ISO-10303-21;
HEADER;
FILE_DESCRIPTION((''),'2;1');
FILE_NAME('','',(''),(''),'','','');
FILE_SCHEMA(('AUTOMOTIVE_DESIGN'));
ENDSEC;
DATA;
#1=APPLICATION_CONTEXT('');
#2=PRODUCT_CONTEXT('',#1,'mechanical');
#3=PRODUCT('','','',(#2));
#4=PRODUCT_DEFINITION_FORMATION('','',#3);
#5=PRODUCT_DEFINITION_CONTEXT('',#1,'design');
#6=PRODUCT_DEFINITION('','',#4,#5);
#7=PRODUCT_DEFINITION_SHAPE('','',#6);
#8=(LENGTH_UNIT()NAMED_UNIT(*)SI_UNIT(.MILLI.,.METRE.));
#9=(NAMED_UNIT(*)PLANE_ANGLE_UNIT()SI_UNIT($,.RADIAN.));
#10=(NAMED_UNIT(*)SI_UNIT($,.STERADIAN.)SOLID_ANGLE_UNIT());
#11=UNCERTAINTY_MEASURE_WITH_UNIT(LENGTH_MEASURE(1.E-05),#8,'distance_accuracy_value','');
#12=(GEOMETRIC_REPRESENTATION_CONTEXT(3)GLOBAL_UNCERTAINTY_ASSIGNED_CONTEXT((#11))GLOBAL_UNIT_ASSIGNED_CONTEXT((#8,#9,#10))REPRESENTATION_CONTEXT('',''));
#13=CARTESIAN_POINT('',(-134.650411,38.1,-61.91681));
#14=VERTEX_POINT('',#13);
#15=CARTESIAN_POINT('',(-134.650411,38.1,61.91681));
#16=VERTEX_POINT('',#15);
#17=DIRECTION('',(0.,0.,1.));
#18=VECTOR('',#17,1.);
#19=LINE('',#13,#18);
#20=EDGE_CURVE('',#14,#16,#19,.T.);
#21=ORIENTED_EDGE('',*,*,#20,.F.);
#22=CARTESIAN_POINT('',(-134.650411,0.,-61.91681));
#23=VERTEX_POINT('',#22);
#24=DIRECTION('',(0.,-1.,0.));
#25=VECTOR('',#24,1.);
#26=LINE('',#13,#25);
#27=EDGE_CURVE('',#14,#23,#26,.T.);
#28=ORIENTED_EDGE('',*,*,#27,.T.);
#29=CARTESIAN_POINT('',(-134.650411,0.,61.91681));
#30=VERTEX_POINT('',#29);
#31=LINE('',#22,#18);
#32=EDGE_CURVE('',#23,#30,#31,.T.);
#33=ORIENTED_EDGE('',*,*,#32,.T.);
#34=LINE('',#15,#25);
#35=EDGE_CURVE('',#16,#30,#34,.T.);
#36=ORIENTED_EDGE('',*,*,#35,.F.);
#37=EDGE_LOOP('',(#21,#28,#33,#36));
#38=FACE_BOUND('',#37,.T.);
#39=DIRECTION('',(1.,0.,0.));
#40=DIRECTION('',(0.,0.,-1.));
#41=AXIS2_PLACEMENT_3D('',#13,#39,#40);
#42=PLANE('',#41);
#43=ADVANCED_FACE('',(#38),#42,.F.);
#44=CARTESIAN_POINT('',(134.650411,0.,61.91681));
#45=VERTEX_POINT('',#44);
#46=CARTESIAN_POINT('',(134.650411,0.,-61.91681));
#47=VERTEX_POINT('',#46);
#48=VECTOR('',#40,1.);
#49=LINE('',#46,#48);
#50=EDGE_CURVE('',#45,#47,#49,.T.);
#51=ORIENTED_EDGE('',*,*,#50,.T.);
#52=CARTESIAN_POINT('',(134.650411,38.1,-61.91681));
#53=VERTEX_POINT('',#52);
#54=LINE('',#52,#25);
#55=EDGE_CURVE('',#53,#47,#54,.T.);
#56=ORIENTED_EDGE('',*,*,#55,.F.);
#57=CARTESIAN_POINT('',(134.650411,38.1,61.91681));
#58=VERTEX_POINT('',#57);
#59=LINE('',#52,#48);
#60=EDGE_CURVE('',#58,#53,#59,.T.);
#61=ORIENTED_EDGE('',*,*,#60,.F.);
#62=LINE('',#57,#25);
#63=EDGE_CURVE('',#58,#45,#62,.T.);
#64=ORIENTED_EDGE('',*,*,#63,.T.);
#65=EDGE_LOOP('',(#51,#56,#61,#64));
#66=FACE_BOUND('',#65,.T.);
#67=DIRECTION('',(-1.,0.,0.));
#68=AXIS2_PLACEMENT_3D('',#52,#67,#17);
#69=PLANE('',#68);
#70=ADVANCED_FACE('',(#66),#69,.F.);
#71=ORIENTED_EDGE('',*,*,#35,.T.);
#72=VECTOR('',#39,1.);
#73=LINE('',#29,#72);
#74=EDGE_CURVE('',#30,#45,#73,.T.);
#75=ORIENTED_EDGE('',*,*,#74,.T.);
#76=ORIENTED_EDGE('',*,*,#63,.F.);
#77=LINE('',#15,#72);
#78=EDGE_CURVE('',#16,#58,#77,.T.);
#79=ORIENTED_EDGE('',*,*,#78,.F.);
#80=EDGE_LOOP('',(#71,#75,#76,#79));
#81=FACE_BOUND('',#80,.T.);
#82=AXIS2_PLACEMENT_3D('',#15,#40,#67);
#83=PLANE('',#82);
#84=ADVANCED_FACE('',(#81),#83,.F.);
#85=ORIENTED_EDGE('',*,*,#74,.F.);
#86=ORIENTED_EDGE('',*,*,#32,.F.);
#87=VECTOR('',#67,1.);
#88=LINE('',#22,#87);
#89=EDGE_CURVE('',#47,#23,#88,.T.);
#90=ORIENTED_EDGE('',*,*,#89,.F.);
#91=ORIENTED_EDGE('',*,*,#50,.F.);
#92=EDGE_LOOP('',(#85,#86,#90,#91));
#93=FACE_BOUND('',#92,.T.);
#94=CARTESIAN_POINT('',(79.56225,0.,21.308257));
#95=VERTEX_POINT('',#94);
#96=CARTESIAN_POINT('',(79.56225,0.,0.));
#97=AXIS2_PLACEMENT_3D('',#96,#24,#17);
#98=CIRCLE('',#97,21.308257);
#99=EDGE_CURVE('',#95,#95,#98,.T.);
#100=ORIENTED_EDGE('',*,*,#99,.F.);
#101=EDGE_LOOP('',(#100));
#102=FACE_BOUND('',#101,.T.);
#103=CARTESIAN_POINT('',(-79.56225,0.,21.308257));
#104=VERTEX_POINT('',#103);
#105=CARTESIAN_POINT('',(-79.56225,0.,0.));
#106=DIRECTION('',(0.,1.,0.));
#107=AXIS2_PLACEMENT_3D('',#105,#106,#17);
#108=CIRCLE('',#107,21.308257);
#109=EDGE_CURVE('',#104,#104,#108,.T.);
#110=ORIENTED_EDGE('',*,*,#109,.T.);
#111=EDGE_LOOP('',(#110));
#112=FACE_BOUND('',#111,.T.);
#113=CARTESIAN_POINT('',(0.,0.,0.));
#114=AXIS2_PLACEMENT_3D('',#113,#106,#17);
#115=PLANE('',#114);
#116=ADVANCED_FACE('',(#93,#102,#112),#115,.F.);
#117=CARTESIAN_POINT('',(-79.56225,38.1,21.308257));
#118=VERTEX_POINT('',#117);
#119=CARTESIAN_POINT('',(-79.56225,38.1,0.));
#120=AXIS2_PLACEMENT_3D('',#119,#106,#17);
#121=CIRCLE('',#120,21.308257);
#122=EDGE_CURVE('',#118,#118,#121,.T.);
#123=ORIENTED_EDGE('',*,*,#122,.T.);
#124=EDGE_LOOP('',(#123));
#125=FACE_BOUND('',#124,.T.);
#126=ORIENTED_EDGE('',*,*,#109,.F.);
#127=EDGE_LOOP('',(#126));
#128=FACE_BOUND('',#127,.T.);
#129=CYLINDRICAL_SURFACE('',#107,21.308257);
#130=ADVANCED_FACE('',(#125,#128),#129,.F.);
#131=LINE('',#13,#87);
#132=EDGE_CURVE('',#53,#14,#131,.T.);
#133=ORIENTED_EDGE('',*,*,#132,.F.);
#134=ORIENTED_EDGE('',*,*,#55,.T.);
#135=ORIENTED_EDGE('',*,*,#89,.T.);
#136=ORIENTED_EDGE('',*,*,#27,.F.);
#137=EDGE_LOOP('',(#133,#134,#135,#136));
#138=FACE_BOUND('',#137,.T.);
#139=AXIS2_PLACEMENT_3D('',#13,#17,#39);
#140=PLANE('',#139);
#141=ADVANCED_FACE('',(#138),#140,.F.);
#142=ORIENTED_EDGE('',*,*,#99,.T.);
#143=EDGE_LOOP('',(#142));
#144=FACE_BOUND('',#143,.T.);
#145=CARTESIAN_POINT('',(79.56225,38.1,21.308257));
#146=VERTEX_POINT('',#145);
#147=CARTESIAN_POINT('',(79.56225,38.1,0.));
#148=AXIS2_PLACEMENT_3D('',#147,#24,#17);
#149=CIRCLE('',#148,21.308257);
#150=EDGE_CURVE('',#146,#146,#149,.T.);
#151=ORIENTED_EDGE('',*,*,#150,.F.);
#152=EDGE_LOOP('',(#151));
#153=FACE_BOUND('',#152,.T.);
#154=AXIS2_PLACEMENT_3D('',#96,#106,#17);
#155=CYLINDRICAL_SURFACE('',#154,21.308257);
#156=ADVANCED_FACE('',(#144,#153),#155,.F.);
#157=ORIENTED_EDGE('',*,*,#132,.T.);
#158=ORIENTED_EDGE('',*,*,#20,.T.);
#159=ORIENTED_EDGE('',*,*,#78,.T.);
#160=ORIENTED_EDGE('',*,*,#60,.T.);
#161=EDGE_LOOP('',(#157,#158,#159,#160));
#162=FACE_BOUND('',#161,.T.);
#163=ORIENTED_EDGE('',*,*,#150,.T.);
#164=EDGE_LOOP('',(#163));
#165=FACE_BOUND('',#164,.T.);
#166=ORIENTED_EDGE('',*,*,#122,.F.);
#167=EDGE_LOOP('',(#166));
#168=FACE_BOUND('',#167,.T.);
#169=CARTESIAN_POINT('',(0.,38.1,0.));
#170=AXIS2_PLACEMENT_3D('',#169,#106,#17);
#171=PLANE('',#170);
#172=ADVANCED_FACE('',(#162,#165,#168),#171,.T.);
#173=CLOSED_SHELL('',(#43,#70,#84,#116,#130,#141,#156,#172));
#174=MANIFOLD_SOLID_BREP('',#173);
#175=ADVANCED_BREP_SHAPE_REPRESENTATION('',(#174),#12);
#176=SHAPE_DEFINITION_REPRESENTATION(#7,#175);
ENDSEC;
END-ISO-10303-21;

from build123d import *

# Parameters (mm, degrees)
SKETCH1_W           = 269.300822908
SKETCH1_H           = 123.833619398
BOSS_EXTRUDE1_DEPTH = 38.1
SKETCH2_R           = 21.308257488
CUT_EXTRUDE1_DEPTH  = 38.1


with BuildPart() as part:
    # Sketch1 → Boss-Extrude1 (new body)
    with BuildSketch(Plane(origin=(0, 0, 0), x_dir=(1, 0, 0), z_dir=(0, 1, 0))):
        Rectangle(SKETCH1_W, SKETCH1_H)
    extrude(amount=BOSS_EXTRUDE1_DEPTH)

    # Sketch2 → Cut-Extrude1 (cut)
    with BuildSketch(Plane(origin=(0, 38.1, 0), x_dir=(1, 0, 0), z_dir=(0, 1, 0))):
        with Locations(Location((-79.562250058, 0, 0), (0, 0, 270))):
            Circle(SKETCH2_R)
    cut_extrude1 = extrude(amount=-CUT_EXTRUDE1_DEPTH, mode=Mode.SUBTRACT)

    # Mirror1: Cut-Extrude1 across plane
    add(cut_extrude1.mirror(Plane(origin=(0, 0, 0), x_dir=(0, 0, 1), z_dir=(1, 0, 0))), mode=Mode.SUBTRACT)


solid = part.part
